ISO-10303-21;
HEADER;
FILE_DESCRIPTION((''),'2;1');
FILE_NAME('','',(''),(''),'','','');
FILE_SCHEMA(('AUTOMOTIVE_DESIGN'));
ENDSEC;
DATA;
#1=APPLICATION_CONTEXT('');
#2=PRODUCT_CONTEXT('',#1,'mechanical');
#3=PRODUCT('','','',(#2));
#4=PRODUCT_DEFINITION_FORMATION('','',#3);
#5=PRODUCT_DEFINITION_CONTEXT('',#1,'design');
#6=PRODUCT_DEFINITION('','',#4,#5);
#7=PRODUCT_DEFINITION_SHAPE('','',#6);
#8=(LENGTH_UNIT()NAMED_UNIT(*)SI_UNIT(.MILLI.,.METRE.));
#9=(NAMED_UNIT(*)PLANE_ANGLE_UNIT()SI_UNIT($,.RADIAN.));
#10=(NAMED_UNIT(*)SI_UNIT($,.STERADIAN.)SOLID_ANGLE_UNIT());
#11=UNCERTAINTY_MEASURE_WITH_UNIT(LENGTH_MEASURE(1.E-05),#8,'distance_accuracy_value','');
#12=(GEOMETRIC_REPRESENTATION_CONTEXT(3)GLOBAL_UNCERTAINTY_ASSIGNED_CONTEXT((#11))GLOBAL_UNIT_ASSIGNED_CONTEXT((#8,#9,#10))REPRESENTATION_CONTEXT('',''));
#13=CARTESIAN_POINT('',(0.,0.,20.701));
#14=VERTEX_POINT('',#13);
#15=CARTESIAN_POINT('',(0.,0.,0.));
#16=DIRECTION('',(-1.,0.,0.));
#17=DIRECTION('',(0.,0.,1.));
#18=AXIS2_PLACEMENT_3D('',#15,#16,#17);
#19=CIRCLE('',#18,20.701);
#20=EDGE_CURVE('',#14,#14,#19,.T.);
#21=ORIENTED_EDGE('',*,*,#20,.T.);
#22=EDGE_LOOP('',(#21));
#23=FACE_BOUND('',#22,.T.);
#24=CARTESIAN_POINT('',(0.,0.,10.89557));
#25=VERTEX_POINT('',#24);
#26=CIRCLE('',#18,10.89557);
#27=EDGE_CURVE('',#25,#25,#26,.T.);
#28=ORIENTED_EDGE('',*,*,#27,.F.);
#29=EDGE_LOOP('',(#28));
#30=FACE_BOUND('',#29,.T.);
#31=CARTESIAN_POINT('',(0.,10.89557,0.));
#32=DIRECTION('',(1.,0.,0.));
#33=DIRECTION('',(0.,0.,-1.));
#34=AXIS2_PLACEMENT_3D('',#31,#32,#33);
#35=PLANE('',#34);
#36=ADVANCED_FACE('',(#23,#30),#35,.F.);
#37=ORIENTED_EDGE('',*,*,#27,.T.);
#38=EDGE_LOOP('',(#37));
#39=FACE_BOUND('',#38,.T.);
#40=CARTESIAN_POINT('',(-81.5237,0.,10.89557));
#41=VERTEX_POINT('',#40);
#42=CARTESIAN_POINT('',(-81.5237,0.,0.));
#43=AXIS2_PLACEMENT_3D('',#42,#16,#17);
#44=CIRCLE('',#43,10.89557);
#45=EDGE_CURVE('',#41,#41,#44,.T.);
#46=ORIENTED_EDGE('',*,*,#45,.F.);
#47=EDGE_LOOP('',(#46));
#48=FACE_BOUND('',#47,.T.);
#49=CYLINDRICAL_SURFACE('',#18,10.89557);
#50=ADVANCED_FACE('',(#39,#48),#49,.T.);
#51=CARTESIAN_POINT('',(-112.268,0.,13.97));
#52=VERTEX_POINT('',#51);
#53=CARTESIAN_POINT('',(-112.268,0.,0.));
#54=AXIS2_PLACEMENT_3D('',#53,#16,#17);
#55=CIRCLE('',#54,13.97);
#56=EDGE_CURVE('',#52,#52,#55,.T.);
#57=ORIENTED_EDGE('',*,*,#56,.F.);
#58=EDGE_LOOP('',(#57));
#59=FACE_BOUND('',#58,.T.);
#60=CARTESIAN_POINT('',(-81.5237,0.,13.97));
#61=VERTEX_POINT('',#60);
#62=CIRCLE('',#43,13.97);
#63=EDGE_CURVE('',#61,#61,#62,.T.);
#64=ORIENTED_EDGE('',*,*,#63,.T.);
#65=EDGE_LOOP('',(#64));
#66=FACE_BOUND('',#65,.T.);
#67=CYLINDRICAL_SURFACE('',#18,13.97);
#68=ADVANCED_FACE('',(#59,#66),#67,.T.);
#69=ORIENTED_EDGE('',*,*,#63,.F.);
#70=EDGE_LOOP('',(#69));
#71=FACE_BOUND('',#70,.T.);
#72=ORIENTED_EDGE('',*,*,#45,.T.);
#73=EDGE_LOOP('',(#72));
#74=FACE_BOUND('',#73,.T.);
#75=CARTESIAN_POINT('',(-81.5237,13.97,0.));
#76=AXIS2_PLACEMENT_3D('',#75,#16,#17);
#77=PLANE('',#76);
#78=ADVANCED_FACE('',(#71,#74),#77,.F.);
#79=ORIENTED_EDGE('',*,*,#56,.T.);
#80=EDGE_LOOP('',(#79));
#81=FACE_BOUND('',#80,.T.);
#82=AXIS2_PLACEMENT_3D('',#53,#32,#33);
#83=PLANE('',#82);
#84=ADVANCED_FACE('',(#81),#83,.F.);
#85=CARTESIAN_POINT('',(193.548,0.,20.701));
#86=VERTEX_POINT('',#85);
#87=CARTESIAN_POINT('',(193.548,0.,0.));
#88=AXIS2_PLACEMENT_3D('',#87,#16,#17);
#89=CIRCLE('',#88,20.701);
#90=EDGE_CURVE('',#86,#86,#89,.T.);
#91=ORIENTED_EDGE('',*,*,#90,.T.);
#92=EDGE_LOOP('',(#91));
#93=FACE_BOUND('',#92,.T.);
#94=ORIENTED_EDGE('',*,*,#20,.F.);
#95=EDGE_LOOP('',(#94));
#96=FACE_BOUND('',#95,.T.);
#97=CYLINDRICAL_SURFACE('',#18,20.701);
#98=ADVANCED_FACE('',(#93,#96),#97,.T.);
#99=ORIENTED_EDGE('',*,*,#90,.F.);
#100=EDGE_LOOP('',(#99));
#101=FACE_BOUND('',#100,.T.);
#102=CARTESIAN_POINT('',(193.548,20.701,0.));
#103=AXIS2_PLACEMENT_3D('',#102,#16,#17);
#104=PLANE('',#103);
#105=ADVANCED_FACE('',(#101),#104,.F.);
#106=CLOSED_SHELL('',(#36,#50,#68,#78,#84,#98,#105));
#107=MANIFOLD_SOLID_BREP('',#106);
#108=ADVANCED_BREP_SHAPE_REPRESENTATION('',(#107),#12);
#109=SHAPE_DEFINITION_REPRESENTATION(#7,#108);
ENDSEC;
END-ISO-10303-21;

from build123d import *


with BuildPart() as part:
    # Sketch2 → Revolve1 (revolve)
    with BuildSketch(Plane.XY, mode=Mode.PRIVATE) as revolve1_sk:
        Polygon((0, 0), (-112.268, 0), (-112.268, 13.97), (-81.52370007, 13.97), (-81.52370007, 10.895570007), (0, 10.895570007), (0, 20.701), (193.548, 20.701), (193.548, 0), align=None)
    revolve(revolve1_sk.sketch.rotate(Axis((0, 0, 0), (1, 0, 0)), 90), axis=Axis((0, 0, 0), (1, 0, 0)))


solid = part.part
